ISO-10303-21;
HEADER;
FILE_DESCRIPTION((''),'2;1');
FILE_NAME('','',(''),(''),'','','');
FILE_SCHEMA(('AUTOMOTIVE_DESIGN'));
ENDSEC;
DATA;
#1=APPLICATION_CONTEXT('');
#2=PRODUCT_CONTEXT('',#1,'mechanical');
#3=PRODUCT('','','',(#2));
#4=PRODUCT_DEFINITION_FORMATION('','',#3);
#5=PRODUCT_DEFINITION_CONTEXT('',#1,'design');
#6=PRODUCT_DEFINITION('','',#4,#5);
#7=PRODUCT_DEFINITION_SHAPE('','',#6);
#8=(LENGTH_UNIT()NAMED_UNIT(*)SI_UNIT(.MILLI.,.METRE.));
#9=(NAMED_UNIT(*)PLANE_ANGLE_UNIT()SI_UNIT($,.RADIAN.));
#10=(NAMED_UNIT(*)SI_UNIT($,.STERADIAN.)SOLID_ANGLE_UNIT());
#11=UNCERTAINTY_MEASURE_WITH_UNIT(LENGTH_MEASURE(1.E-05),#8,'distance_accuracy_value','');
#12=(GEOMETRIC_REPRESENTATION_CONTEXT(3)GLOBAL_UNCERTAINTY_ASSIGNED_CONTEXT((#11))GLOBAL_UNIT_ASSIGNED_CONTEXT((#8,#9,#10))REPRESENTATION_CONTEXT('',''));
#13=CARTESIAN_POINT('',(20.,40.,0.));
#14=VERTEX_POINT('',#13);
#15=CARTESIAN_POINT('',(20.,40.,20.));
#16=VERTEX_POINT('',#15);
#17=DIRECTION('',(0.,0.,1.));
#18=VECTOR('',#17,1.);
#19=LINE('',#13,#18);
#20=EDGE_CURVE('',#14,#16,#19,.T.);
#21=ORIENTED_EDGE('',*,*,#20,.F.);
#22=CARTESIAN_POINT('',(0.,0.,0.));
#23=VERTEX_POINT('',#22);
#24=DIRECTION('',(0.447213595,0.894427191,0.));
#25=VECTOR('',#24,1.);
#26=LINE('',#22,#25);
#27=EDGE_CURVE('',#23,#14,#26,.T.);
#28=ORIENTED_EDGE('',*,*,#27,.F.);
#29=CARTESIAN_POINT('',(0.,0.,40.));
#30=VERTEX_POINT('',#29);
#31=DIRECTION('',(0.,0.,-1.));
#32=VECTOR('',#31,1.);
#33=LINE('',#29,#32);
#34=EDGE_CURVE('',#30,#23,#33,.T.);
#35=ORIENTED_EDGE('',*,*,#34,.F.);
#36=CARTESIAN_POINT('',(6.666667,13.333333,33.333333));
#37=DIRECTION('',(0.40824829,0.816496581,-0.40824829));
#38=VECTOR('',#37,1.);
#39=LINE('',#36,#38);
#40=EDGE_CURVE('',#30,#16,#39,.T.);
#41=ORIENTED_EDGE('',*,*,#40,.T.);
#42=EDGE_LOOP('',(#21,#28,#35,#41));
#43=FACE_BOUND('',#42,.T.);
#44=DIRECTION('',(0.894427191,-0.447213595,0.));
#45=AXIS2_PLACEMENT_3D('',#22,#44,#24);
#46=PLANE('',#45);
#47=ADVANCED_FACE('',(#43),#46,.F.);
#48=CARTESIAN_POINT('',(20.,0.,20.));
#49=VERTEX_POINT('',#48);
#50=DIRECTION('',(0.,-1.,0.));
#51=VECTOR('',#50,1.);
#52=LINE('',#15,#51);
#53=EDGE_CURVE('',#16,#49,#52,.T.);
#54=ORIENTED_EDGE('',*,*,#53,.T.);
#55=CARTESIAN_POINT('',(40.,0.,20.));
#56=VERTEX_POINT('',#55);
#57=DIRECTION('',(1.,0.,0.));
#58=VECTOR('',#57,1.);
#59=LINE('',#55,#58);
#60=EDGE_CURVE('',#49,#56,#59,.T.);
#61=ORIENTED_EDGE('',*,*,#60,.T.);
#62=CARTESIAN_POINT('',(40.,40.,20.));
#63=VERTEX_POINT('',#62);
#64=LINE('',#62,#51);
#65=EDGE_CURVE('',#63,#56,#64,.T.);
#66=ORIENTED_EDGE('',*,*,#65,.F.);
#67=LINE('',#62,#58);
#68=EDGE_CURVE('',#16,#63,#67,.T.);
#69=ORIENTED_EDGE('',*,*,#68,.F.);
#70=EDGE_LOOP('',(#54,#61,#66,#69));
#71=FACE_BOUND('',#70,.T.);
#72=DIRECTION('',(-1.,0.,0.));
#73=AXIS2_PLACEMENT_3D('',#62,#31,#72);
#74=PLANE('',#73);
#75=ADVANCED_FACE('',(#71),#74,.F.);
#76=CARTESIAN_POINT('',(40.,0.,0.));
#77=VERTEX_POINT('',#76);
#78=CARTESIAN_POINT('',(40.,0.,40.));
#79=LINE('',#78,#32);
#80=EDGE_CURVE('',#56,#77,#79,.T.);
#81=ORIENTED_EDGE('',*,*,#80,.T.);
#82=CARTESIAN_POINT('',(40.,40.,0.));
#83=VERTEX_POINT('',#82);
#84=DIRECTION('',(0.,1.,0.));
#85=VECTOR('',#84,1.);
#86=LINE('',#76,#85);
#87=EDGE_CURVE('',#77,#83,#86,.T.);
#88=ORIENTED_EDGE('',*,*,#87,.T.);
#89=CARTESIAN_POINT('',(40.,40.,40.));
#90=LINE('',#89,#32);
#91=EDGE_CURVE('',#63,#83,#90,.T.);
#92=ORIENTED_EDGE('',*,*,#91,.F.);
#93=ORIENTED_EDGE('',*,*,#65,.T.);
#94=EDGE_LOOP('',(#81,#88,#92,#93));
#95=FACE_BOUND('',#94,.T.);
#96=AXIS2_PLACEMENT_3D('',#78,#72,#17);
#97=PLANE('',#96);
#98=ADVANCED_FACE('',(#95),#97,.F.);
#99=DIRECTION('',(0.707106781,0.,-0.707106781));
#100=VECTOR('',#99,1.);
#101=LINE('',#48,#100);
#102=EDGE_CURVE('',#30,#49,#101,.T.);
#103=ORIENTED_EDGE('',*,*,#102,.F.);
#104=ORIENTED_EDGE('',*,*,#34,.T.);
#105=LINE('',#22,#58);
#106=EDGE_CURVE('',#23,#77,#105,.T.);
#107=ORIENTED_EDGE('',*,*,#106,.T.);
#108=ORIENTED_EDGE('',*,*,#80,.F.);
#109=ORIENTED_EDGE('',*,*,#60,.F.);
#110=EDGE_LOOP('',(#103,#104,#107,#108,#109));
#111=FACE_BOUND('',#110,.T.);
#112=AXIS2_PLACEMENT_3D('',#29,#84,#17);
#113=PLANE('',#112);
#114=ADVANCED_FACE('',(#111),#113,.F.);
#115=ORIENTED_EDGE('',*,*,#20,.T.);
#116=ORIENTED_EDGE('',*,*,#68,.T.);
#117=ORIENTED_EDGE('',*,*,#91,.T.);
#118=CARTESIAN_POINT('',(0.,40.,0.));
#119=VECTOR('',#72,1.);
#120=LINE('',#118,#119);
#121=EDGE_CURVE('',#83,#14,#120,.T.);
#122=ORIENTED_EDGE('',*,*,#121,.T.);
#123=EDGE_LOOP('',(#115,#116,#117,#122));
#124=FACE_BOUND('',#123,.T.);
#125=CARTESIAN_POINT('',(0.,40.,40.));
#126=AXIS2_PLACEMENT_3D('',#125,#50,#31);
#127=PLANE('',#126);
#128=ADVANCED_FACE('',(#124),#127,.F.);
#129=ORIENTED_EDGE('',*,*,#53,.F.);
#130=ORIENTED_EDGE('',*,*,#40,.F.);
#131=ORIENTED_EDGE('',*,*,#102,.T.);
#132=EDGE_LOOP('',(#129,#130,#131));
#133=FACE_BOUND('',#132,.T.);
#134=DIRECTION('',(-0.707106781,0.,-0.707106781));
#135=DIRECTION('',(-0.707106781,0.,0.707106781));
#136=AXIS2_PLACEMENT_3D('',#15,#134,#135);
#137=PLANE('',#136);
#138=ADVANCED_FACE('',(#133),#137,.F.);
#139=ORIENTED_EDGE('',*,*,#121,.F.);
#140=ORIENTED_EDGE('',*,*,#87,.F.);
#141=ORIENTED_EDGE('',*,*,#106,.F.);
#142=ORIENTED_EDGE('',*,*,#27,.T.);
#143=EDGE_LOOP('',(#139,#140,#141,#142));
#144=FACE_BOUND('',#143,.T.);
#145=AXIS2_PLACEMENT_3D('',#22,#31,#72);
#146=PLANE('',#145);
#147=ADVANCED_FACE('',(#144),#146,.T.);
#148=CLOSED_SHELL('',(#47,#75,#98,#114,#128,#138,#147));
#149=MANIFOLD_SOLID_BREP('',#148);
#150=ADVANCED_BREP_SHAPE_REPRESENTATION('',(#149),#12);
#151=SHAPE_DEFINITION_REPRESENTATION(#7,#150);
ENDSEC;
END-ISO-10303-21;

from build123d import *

# Parameters (mm, degrees)
SKETCH1_W           = 40
SKETCH1_H           = 40
BOSS_EXTRUDE1_DEPTH = 40
CUT_EXTRUDE1_DEPTH  = 40
CUT_EXTRUDE2_DEPTH  = 40


with BuildPart() as part:
    # Sketch1 → Boss-Extrude1 (new body)
    with BuildSketch(Plane.XY):
        with Locations((20, 20)):
            Rectangle(SKETCH1_W, SKETCH1_H)
    extrude(amount=BOSS_EXTRUDE1_DEPTH)

    # Sketch2 → Cut-Extrude1 (cut)
    with BuildSketch(Plane.XY.offset(40)):
        Polygon((0, 0), (20, 40), (0, 40), align=None)
    extrude(amount=-CUT_EXTRUDE1_DEPTH, mode=Mode.SUBTRACT)

    # Sketch3 → Cut-Extrude2 (cut)
    with BuildSketch(Plane.XZ):
        Polygon((40, 20), (20, 20), (0, 40), (40, 40), align=None)
    extrude(amount=-CUT_EXTRUDE2_DEPTH, mode=Mode.SUBTRACT)


solid = part.part
